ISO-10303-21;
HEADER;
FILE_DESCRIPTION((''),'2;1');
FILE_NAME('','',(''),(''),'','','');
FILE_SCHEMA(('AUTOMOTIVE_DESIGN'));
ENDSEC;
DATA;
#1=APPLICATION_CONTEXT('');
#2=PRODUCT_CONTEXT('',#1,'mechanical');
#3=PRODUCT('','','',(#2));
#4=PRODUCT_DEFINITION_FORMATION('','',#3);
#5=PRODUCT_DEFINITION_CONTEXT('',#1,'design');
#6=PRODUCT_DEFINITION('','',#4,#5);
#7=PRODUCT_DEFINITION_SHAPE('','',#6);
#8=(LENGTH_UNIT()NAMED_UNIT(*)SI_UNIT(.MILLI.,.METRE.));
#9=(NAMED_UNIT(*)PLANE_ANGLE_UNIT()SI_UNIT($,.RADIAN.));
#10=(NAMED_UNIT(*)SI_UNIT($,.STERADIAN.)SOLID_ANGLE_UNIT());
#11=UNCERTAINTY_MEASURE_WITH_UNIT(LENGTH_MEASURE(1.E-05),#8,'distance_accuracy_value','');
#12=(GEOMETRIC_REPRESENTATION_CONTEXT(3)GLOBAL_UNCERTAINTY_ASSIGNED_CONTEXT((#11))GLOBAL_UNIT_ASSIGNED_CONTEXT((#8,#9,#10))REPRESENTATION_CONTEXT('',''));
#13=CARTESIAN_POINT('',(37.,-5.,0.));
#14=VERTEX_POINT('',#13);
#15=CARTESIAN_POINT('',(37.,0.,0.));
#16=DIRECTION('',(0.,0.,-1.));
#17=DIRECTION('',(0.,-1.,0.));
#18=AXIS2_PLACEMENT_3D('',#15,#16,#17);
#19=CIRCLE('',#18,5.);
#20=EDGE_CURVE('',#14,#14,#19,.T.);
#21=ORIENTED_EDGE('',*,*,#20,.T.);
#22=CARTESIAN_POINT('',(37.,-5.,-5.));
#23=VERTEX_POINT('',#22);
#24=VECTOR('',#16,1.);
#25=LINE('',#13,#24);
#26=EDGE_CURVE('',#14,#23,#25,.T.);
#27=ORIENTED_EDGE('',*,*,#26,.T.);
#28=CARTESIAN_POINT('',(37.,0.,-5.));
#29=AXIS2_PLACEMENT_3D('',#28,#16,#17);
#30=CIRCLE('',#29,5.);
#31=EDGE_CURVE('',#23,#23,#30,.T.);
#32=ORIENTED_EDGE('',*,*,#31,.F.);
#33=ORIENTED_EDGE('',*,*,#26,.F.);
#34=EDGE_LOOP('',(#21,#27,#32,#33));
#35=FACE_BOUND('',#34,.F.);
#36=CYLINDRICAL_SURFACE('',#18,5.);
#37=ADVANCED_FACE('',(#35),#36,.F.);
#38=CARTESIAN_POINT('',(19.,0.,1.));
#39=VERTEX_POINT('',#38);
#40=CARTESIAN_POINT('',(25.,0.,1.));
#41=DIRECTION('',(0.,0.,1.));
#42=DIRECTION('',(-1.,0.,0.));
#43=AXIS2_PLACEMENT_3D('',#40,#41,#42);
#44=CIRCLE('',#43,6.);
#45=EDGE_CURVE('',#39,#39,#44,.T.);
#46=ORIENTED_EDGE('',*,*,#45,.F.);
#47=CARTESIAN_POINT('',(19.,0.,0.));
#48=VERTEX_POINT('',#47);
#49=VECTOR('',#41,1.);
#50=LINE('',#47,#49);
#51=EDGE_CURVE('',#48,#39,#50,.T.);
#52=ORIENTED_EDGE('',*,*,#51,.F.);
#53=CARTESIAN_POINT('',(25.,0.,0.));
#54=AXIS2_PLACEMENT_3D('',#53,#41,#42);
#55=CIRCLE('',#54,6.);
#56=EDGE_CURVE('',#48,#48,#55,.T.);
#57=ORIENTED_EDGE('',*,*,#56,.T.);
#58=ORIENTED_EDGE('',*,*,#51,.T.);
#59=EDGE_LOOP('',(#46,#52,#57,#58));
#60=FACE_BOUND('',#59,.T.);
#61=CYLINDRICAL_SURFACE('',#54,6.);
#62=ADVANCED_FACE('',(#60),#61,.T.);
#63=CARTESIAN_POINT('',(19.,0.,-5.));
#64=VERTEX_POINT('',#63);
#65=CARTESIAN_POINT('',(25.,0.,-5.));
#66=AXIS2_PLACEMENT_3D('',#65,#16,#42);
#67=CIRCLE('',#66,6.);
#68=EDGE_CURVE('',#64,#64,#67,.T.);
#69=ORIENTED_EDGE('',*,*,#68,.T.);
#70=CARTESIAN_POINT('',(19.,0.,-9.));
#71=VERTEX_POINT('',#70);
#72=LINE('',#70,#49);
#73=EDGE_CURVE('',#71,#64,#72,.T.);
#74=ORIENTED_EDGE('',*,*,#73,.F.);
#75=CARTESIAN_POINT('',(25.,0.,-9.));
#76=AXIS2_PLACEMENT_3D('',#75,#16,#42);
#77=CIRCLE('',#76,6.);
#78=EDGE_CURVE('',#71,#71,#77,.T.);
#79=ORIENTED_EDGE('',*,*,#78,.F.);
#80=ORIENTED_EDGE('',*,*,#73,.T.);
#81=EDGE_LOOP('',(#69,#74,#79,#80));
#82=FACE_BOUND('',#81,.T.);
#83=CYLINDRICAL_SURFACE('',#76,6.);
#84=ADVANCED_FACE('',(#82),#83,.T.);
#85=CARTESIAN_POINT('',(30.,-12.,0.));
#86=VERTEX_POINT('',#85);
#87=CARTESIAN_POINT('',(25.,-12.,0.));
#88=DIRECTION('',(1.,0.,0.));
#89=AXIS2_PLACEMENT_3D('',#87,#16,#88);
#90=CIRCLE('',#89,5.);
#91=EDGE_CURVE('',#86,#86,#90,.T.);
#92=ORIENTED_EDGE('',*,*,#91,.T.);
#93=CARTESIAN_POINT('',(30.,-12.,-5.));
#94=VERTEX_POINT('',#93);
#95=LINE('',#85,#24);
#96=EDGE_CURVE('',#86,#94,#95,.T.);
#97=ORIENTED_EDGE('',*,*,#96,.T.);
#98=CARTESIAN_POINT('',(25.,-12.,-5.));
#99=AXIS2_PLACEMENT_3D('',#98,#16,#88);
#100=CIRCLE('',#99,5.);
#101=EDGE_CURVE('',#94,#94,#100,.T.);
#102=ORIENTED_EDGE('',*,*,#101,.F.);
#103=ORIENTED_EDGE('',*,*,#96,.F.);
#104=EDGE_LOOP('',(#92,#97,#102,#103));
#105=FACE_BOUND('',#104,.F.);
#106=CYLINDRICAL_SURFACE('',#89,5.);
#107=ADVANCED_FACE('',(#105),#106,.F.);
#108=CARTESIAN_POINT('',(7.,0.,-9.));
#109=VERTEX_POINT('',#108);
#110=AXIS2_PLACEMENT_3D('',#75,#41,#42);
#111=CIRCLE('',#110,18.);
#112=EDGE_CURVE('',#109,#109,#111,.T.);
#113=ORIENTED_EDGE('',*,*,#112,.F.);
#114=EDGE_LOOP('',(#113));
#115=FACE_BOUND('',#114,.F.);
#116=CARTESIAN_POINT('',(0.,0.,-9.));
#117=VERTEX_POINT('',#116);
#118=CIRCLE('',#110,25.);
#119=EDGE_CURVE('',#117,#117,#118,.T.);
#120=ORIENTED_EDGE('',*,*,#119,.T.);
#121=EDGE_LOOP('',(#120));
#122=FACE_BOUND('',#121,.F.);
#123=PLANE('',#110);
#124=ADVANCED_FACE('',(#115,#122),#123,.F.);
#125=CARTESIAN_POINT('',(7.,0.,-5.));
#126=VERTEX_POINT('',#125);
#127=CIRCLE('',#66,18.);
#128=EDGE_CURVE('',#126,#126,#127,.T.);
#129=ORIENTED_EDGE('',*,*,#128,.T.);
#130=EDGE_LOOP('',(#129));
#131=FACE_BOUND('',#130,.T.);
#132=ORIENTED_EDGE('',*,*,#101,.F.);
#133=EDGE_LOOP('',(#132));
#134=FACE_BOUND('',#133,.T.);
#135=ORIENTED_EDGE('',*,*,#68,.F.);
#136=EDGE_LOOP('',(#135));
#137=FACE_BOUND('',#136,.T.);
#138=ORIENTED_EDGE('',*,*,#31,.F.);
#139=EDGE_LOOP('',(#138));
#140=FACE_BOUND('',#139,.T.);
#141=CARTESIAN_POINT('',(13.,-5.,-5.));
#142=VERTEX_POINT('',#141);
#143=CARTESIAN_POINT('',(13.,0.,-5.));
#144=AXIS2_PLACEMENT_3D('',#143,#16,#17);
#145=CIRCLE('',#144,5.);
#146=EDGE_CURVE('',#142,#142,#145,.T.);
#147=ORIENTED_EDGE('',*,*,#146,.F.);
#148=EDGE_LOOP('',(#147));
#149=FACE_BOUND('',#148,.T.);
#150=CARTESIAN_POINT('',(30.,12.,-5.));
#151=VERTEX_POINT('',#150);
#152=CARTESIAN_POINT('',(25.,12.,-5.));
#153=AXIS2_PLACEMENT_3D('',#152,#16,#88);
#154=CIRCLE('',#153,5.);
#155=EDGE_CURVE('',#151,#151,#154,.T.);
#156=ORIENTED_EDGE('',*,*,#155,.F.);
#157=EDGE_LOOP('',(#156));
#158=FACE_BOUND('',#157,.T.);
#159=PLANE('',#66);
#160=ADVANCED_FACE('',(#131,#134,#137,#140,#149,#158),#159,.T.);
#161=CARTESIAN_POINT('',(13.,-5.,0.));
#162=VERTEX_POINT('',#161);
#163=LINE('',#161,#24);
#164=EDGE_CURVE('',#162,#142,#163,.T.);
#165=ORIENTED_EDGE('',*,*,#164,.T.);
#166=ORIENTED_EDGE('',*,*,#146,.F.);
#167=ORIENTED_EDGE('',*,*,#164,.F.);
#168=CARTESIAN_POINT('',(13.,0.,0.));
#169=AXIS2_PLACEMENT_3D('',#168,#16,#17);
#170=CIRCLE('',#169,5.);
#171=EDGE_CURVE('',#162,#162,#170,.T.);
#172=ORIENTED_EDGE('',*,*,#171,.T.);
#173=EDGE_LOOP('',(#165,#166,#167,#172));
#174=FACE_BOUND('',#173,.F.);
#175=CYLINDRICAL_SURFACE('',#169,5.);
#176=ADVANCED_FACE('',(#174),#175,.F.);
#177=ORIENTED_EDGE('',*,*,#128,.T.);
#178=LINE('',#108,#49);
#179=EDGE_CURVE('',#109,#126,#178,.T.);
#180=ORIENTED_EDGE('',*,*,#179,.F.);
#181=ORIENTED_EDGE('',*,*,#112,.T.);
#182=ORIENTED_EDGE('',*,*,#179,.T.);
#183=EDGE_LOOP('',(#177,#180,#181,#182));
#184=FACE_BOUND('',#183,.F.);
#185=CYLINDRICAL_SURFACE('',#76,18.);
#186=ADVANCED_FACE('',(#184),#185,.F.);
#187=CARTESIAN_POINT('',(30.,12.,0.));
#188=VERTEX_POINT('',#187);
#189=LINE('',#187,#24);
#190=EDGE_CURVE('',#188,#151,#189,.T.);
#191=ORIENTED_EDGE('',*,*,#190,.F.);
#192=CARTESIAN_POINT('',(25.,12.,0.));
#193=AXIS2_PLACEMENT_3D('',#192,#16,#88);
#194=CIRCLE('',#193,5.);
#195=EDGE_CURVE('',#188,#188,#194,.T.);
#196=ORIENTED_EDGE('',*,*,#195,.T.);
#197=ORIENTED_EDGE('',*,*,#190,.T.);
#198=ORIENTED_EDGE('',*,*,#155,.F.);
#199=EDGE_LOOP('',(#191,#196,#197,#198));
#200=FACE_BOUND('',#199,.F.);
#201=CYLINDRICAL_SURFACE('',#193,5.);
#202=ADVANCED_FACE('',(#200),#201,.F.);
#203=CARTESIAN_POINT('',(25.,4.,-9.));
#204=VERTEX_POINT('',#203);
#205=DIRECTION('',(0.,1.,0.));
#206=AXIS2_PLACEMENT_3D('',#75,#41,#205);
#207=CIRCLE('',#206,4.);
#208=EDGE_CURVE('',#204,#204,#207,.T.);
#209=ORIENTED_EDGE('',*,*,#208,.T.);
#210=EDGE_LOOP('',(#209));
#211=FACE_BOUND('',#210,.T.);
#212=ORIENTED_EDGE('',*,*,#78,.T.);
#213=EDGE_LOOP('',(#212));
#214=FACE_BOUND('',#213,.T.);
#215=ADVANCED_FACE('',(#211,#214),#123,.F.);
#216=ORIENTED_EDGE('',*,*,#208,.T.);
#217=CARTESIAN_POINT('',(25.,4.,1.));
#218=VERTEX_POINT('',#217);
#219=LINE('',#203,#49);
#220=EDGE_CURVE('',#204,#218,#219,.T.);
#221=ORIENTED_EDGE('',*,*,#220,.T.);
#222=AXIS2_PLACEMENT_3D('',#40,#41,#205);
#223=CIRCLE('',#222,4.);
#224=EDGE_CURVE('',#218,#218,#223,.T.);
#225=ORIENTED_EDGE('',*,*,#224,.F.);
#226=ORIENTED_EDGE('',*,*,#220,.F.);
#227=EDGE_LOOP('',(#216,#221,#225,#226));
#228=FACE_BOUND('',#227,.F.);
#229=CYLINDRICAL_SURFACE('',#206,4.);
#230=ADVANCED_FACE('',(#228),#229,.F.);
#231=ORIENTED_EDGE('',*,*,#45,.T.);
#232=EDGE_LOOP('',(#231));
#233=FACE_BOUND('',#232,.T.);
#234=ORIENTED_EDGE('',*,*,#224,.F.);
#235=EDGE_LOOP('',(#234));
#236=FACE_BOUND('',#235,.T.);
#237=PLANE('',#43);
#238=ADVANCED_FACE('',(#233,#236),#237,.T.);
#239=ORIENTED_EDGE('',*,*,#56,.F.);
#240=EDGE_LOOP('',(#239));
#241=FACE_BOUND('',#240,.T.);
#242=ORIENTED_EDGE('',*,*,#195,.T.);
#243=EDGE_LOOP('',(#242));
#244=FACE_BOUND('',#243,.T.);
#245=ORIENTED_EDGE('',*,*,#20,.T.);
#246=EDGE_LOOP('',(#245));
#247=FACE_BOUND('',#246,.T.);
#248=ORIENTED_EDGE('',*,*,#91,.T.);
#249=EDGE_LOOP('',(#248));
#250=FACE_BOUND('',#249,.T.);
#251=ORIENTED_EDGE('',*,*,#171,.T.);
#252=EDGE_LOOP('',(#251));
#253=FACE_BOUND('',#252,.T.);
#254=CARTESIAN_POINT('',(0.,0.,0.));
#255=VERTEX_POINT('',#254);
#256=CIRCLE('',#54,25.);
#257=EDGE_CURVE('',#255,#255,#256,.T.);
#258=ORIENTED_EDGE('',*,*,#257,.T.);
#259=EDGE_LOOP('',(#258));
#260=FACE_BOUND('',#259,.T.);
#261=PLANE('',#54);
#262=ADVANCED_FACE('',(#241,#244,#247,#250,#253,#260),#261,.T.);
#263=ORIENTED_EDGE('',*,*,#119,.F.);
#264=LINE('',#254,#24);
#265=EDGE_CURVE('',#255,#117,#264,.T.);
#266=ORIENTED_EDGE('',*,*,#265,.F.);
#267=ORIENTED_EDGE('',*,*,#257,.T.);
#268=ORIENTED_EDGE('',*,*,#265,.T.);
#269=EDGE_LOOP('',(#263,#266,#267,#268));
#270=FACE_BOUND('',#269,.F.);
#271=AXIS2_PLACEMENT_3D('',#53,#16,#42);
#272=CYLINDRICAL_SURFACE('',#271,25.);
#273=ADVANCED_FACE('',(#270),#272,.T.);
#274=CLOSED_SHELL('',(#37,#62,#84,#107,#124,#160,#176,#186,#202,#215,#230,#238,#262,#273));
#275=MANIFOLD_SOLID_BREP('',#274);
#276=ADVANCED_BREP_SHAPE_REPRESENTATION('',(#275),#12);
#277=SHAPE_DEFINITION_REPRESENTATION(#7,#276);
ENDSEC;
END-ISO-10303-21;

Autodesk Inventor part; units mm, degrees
ref_plane "YZ Plane" through (0, 0, 0) normal (1, 0, 0) x (0, 1, 0)
ref_plane "XZ Plane" through (0, 0, 0) normal (0, 1, 0) x (-1, 0, 0)
ref_plane "XY Plane" through (0, 0, 0) normal (0, 0, 1) x (1, 0, 0)
sketch "Skizze4" plane through (0, 0, 0) normal (0, 1, 0) x (1, 0, 0)
  line L0 (25, 9) -> (25, -1)
  line L1 (25, 9) -> (7, 9)
  line L2 (12.1242, 0) -> (0, 0)
  line L3 (0, 0) -> (0, 9)
  line L4 (0, 9) -> (7, 9)
  line L5 (9.9688, 0) -> (19, 0)
  line L6 (19, 0) -> (19, -1)
  line L7 (19, -1) -> (25, -1)
  point P0 (6.0621, 0)
  dimension "d6" = 50
  dimension "d7" = 1
  dimension "d8" = 10
  dimension "d11" = 12
revolve "Umdrehung1" add sketch "Skizze4" angle 360 about axis through (25, 0, -9) along (0, 0, 1)
sketch "Skizze5" plane through (25, 0, -9) normal (0, 0, -1) x (-1, 0, 0)
  circle A0 centre (0, 0) radius 6 projected
  circle A1 centre (0, 0) radius 18
  point P0 (25, 0)
  dimension "d20" = 36
extrude "Extrusion3" cut sketch "Skizze5" against normal blind 4
sketch "Skizze6" plane through (25, 0, -9) normal (0, 0, -1) x (-1, 0, 0)
  circle A0 centre (0, 0) radius 6 projected
  point P0 (25, 0)
hole "Bohrung1" at (25, 0, -9) direction (0, 0, 1) diameter 8 end through all
sketch "Skizze7" plane through (25, 0, 0) normal (0, 0, 1) x (-1, 0, 0)
  circle A0 centre (0, 0) radius 4 projected
  circle A1 centre (0, 0) radius 4 projected
  line L0 (0, 0) -> (0, -45.1708) construction
  point P0 (25, 0)
  point P1 (12, 0)
  point P2 (-12, 0)
  dimension "d42" = 24
hole "Bohrung2" at (13, 0, 0) at (37, 0, 0) direction (0, 0, -1) diameter 10 end through all
pattern_circular "Runde Anordnung1" count 4 over 360 about axis through (25, 0, -4.5) along (0, 0, 1) of "Bohrung2"
properties part number "Schwungscheibe" material "Stahl, galvanisiert"
